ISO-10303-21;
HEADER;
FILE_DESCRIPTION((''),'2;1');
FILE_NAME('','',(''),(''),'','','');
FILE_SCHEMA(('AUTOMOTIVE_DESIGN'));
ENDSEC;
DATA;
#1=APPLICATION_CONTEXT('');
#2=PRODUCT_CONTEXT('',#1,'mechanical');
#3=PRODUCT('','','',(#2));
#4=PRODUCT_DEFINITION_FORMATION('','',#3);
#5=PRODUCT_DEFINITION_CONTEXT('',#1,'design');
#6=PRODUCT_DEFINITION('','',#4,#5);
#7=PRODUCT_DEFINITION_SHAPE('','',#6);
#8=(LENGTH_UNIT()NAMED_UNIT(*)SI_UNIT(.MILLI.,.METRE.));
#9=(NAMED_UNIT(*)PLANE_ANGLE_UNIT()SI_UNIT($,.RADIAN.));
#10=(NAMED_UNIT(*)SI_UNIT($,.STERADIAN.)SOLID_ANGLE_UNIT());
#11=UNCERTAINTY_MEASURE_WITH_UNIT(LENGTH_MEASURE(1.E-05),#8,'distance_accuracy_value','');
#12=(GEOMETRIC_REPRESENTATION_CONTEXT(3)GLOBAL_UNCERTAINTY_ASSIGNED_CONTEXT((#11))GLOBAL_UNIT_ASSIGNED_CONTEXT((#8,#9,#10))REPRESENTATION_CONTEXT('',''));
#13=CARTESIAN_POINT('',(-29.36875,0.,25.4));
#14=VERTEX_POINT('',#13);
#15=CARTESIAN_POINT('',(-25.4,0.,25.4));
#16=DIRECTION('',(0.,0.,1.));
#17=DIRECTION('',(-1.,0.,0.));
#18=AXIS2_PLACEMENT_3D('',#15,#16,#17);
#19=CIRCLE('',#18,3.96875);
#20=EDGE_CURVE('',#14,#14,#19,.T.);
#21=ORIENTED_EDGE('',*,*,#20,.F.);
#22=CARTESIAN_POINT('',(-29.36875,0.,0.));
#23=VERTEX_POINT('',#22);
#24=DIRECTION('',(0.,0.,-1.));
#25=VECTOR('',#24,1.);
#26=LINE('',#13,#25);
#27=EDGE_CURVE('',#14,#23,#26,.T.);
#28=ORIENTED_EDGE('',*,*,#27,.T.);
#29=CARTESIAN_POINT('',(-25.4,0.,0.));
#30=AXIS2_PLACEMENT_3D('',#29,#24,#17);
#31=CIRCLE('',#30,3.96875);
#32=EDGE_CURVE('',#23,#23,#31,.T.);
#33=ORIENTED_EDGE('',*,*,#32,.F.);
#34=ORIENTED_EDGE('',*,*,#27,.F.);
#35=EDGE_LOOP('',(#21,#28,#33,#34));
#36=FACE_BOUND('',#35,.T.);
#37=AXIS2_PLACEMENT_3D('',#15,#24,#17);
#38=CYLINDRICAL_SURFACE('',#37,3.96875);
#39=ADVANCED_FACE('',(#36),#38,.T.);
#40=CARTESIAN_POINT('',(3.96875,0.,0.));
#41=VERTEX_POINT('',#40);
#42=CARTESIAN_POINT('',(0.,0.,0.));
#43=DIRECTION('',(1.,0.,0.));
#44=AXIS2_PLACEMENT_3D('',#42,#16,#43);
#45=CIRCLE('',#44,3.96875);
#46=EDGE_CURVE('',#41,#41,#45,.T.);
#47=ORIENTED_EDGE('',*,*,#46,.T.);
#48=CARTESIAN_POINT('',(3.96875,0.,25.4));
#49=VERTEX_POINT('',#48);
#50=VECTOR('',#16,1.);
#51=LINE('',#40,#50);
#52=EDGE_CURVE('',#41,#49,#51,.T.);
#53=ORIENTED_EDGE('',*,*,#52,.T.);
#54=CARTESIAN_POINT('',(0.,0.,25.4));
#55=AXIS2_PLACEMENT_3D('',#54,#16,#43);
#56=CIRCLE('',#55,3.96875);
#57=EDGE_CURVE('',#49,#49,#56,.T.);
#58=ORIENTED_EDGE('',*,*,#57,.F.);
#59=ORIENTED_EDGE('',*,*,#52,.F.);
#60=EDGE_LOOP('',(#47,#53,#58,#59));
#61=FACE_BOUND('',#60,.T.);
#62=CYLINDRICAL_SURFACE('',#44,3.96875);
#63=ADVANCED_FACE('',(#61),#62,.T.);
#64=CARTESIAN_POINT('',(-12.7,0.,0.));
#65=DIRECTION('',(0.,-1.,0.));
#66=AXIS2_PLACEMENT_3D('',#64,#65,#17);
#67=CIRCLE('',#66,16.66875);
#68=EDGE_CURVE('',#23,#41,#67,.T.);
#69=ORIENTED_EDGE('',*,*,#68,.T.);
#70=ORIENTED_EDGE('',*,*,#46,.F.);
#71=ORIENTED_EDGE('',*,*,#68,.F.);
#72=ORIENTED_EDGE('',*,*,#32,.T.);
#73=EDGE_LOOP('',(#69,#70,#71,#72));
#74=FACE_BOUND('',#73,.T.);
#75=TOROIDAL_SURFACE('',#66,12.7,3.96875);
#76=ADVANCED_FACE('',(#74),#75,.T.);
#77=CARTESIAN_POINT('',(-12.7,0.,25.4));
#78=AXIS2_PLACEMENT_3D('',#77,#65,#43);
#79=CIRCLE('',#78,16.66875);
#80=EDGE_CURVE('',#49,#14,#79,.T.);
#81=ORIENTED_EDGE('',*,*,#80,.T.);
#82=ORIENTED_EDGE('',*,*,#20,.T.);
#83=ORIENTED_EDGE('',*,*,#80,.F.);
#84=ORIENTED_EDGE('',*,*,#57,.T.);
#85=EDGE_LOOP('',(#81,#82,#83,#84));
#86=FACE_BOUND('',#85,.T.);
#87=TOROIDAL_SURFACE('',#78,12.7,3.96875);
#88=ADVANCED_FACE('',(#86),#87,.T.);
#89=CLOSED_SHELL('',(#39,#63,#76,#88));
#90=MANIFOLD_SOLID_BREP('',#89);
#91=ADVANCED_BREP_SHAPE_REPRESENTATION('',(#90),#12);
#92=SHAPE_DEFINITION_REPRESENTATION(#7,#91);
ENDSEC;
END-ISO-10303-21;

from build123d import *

# Parameters (mm, degrees)
F1_R = 3.96875


with BuildPart() as f2:
    # F2: sweep along a path in F0
    with BuildLine(Plane.XZ) as f2_path:
        Line((0, 0), (0, 25.4))
        ThreePointArc((0, 25.4), (-12.7, 38.1), (-25.4, 25.4))
        Line((-25.4, 25.4), (-25.4, 0))
        ThreePointArc((-25.4, 0), (-12.7, -12.7), (0, 0))
    # F1 (on Top) → F2 (sweep)
    with BuildSketch(Plane.XY):
        Circle(F1_R)
    sweep(path=f2_path.line)


solid = f2.part
